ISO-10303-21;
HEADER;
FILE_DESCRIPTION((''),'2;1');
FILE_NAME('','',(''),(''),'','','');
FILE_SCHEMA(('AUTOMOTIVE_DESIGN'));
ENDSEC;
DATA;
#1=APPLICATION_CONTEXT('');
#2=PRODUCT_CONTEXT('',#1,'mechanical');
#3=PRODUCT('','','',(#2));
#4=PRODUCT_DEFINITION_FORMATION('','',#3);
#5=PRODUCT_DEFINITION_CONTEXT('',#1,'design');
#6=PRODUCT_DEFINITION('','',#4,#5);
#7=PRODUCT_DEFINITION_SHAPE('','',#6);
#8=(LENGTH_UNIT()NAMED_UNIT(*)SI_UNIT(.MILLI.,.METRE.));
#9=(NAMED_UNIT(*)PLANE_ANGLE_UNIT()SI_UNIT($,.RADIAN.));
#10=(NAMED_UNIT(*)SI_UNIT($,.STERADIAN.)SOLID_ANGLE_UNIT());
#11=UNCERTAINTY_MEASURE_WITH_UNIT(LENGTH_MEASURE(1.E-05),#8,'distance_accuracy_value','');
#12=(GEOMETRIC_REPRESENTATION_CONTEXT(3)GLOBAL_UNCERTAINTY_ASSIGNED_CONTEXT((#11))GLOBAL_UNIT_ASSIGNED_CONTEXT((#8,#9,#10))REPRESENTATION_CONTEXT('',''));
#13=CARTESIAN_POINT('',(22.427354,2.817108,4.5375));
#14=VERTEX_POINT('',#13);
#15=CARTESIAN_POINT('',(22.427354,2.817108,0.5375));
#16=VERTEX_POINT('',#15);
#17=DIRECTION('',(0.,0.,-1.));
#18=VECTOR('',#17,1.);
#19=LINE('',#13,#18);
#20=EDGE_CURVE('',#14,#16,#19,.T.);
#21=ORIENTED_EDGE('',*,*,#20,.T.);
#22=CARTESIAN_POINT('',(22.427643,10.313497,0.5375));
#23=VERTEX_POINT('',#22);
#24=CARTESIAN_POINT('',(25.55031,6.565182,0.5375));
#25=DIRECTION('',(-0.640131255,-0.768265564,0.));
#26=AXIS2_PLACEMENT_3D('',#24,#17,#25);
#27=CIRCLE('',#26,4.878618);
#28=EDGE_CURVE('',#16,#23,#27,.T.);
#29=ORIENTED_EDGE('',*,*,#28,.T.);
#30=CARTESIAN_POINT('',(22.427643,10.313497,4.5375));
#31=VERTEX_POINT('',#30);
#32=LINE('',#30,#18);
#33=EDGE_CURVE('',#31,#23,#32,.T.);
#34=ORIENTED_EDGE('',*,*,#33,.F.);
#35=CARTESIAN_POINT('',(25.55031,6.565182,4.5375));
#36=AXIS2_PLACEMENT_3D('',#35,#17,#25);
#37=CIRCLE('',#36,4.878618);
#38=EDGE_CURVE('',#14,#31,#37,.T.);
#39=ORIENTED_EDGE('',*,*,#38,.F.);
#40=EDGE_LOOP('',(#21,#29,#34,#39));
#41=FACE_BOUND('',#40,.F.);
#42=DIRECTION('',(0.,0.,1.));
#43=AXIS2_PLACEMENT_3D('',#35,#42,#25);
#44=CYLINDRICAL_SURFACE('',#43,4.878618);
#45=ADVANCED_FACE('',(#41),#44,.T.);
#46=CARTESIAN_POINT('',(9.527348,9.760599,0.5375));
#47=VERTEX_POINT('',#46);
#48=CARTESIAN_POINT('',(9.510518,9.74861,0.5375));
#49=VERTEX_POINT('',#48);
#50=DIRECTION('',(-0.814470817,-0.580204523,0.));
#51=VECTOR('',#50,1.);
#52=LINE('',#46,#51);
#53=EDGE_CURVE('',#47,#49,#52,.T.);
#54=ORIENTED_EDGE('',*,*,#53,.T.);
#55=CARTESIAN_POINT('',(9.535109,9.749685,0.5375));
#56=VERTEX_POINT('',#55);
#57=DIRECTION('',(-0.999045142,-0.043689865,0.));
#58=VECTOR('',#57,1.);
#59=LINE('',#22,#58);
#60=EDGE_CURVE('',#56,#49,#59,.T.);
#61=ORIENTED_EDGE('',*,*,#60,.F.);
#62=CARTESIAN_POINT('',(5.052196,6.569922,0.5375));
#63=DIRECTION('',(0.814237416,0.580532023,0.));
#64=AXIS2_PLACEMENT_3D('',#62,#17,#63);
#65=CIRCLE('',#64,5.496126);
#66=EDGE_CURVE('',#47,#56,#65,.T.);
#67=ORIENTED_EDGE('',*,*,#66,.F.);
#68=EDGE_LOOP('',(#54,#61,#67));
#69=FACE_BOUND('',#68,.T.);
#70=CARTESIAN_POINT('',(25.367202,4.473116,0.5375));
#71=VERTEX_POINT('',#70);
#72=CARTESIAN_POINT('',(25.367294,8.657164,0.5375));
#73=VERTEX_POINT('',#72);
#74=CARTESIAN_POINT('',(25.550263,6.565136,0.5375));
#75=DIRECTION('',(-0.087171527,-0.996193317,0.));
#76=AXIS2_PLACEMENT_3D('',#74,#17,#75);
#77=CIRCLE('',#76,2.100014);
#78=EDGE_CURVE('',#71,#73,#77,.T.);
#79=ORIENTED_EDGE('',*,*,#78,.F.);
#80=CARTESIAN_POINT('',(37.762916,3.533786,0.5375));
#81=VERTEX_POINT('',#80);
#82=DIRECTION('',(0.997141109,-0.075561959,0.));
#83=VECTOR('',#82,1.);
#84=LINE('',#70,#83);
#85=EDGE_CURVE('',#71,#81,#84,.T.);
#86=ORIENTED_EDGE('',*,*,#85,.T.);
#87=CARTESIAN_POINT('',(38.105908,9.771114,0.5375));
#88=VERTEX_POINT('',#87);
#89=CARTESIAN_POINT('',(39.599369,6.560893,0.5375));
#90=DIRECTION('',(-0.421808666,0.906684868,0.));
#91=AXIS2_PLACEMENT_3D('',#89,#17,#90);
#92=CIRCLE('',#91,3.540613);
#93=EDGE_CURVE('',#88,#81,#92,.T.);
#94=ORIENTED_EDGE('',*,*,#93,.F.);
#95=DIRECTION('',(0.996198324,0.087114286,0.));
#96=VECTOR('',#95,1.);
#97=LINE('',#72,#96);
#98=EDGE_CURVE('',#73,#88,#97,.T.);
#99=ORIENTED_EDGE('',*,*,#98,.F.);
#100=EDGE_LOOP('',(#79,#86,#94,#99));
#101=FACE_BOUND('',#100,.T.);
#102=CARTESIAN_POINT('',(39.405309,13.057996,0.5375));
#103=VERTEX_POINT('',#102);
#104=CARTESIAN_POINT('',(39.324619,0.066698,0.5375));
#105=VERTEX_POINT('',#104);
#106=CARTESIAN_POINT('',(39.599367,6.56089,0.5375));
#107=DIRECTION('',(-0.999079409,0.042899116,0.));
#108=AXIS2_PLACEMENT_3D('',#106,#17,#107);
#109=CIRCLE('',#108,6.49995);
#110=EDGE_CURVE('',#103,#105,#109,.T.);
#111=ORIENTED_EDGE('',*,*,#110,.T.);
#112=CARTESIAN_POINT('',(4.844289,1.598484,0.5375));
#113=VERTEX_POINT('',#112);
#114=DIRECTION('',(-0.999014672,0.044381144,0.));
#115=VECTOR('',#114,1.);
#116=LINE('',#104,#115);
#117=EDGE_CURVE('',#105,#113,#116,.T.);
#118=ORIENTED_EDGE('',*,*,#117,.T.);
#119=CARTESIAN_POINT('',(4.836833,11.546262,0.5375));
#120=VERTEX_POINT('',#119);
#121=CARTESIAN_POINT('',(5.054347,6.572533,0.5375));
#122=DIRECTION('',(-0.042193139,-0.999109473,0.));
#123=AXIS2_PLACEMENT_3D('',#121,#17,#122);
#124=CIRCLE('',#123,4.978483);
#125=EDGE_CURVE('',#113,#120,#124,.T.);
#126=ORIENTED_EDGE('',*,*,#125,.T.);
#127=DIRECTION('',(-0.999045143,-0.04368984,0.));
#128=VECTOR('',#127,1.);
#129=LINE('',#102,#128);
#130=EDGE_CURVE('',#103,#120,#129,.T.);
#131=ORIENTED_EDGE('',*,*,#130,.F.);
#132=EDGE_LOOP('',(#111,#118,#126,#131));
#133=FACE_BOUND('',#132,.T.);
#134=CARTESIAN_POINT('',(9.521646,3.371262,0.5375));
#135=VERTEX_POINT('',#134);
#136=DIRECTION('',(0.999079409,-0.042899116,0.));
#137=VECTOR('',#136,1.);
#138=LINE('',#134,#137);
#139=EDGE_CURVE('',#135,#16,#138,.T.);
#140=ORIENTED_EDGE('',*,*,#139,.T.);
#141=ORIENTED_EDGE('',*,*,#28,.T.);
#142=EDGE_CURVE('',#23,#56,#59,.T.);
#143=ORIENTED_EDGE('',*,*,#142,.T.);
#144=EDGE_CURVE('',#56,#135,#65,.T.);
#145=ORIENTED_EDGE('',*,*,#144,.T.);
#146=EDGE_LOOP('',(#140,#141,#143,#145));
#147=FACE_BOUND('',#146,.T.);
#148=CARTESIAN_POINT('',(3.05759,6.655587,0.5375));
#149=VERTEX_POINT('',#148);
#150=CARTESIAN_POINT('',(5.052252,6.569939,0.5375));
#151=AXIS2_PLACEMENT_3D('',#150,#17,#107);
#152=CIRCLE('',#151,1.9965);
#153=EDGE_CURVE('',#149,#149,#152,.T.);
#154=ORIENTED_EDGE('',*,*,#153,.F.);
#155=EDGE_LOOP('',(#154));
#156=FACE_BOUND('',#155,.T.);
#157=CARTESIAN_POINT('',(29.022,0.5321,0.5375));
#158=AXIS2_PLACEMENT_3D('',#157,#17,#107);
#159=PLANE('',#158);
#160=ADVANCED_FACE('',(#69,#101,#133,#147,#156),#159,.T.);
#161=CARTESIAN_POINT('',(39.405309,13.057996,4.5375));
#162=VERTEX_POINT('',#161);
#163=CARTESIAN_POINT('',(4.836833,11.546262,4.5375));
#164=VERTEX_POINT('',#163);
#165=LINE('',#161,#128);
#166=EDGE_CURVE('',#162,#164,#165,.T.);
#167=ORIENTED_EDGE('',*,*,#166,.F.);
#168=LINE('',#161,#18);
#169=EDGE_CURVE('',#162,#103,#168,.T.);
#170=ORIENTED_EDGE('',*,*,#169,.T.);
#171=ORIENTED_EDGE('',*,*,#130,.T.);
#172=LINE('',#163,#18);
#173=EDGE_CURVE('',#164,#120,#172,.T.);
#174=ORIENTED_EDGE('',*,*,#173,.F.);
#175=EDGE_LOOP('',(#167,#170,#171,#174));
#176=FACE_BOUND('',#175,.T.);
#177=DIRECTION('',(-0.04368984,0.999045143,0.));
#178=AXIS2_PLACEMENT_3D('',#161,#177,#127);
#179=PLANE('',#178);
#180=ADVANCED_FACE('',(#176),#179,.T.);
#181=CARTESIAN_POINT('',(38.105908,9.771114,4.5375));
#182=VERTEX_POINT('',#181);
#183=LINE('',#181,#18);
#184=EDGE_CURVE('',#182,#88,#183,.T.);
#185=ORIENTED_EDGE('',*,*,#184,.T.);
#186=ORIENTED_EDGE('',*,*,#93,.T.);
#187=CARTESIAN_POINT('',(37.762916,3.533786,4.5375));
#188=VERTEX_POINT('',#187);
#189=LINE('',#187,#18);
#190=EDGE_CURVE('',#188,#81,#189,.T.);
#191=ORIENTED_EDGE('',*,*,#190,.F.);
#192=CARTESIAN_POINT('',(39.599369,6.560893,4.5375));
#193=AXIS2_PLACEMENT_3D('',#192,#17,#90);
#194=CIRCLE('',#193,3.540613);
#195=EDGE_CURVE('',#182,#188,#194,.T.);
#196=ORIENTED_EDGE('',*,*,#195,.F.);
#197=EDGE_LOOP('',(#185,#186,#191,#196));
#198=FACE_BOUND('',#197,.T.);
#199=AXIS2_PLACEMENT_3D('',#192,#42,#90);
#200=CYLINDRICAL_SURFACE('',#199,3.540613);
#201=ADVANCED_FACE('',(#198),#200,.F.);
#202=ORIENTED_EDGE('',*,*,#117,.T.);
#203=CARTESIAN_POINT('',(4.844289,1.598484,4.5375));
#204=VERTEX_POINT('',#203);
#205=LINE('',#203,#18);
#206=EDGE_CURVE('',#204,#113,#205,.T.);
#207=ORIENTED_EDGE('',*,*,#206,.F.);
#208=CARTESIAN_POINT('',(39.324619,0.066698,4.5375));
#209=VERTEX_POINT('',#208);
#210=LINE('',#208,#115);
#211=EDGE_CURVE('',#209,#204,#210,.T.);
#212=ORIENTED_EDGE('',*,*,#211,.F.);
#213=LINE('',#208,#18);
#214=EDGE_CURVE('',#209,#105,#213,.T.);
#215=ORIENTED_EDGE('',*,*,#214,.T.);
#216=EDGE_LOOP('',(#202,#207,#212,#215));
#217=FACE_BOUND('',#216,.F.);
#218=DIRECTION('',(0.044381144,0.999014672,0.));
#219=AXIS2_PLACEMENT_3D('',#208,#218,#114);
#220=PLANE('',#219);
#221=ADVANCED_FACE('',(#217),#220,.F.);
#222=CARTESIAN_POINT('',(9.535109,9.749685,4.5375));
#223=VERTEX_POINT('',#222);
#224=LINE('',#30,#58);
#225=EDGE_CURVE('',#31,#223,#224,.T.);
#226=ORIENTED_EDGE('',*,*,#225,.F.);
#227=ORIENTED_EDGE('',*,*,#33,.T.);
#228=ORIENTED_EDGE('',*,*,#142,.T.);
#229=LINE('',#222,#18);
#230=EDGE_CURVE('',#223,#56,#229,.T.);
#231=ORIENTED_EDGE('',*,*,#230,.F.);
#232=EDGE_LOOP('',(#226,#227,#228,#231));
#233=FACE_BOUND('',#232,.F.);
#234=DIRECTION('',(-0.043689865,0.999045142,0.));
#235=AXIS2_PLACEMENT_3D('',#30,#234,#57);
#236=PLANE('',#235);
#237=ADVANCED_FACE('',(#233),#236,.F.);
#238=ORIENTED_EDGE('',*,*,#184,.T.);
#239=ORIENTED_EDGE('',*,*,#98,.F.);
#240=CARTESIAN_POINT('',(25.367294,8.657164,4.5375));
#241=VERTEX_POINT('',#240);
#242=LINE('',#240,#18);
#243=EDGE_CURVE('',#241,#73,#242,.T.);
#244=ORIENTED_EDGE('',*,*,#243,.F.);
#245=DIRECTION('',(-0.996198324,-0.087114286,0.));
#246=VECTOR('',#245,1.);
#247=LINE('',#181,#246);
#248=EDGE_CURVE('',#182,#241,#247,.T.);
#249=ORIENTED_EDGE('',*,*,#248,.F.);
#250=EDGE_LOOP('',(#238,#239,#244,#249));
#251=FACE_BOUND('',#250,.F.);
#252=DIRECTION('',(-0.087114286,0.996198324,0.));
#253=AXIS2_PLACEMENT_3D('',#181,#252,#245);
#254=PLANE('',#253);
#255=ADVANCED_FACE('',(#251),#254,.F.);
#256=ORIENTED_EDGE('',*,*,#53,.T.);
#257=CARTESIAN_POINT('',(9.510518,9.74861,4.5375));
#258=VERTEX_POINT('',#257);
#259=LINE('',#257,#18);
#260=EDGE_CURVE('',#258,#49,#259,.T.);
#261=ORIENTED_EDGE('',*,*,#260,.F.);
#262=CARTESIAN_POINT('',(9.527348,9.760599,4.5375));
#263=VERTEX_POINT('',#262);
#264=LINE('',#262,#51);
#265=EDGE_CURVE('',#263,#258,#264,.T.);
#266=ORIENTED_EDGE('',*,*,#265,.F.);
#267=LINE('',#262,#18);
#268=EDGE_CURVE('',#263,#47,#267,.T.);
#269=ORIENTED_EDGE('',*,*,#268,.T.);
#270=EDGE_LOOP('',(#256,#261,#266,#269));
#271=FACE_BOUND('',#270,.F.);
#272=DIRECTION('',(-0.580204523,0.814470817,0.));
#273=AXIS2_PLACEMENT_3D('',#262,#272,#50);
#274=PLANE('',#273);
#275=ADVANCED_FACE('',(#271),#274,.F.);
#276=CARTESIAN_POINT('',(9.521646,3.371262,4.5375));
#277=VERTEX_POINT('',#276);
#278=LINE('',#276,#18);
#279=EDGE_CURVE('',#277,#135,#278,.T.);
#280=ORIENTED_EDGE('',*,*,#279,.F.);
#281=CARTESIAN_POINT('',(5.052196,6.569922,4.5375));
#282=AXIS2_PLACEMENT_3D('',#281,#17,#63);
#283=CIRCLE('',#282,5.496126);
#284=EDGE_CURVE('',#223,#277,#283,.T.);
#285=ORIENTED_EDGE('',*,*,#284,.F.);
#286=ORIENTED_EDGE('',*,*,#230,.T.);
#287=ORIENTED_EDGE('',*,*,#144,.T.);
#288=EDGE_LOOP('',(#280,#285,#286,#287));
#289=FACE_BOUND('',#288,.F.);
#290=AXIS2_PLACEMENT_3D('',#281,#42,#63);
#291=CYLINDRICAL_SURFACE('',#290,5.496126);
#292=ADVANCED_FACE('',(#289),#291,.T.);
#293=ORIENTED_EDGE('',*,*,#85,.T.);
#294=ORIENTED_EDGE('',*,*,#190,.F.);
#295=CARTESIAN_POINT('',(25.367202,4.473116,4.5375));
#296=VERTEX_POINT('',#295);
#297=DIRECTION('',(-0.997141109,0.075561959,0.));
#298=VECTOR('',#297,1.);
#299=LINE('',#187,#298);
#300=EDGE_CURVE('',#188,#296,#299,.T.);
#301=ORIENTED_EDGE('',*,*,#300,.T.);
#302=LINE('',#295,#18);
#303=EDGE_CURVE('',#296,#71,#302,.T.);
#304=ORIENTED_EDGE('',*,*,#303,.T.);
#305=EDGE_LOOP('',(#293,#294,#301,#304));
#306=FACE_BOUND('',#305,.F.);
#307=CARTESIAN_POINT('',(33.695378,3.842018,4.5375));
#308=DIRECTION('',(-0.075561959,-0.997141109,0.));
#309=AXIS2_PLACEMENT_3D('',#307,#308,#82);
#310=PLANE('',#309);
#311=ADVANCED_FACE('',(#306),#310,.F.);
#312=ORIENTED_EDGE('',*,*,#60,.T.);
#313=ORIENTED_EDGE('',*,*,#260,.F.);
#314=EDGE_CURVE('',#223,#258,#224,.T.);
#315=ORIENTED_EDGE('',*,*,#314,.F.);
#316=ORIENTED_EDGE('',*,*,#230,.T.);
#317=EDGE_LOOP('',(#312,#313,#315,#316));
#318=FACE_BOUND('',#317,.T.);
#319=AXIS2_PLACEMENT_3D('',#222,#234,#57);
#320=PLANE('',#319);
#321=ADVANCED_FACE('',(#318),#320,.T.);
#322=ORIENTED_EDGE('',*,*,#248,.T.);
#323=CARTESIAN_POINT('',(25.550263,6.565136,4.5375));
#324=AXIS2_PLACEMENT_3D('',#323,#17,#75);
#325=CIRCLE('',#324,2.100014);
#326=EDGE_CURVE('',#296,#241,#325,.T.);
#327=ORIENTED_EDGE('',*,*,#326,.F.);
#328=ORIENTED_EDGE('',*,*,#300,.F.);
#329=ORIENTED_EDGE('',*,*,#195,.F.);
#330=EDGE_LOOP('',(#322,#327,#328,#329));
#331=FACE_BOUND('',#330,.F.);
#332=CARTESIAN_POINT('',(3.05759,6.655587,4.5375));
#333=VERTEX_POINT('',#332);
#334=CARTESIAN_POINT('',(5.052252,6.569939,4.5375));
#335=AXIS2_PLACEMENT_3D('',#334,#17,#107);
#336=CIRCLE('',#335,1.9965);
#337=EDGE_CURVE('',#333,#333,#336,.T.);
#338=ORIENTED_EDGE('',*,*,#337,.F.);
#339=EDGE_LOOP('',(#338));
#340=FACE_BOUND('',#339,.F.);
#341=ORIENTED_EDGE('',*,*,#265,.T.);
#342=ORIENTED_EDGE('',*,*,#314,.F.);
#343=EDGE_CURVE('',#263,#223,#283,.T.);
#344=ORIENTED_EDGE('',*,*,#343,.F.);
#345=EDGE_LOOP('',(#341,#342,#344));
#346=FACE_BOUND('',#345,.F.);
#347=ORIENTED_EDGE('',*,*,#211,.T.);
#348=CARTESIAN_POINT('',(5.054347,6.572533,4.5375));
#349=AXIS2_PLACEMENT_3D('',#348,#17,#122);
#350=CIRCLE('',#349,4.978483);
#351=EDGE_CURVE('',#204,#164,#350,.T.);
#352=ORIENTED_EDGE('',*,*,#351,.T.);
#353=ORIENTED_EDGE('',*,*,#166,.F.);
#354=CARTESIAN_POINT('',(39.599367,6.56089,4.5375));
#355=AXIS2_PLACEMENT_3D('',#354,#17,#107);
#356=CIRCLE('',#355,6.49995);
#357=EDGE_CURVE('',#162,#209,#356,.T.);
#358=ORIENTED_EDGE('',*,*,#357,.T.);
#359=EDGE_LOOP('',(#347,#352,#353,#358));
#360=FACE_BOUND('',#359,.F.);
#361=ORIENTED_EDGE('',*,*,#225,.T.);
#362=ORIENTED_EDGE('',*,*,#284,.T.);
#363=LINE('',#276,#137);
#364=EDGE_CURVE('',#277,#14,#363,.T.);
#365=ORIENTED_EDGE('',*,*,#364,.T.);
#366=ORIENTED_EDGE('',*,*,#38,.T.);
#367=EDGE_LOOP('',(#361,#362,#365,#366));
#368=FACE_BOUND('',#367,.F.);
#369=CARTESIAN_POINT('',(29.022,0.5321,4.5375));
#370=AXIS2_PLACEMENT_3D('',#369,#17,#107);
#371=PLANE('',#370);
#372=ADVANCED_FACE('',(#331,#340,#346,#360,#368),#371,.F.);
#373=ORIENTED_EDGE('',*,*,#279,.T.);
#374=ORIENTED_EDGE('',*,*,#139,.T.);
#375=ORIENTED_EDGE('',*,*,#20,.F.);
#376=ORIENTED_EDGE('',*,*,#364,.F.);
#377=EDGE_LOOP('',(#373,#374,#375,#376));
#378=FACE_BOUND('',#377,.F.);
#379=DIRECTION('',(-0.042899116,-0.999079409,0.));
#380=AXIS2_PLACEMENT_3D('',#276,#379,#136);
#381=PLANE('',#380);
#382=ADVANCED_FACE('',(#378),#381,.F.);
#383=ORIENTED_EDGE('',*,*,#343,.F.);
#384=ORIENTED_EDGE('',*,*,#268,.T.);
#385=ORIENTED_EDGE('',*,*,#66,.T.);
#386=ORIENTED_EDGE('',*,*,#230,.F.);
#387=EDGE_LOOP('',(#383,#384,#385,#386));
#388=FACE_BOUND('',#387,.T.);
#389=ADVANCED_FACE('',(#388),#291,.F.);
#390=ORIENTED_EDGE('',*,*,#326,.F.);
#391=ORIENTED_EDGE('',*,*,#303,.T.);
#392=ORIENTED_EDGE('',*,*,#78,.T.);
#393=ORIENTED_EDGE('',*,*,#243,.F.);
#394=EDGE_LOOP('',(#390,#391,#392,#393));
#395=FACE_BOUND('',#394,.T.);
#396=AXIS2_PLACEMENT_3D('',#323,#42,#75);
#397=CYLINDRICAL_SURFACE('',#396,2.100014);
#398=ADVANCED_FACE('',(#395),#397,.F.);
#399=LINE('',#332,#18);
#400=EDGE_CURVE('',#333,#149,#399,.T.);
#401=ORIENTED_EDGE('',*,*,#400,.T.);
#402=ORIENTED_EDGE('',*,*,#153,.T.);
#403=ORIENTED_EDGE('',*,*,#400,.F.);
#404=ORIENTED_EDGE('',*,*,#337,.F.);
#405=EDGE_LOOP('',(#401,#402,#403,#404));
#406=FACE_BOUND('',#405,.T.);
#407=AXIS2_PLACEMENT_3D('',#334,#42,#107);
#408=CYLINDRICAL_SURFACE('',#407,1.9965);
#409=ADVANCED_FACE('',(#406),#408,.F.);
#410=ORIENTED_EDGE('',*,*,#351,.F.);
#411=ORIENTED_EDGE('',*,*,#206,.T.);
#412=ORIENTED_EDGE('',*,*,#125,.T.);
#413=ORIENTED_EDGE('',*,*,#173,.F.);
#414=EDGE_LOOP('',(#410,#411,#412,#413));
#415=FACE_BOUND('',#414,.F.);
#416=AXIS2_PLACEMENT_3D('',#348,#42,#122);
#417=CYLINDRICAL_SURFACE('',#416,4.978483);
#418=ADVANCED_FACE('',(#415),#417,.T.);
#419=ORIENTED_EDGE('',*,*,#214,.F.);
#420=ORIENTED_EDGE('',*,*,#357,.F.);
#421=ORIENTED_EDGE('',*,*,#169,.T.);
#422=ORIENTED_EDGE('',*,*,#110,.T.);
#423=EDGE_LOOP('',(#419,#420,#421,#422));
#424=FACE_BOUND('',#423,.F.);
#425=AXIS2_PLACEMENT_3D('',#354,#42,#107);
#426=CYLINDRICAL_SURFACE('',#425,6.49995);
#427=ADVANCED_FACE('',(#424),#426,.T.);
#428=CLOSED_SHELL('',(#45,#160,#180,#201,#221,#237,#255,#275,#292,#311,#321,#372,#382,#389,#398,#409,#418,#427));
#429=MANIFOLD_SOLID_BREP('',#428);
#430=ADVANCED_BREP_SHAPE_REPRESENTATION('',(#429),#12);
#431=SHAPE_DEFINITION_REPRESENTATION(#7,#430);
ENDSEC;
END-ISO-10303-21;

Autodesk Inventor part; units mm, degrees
ref_plane "YZ Plane" through (0, 0, 0) normal (1, 0, 0) x (0, 1, 0)
ref_plane "XZ Plane" through (0, 0, 0) normal (0, 1, 0) x (-1, 0, 0)
ref_plane "Plano de trabajo1" through (29.022, 0.5321, 4.5375) normal (0, 0, -1) x (-0.9991, 0.0429, 0)
sketch "Boceto4" plane through (29.022, 0.5321, 4.5375) normal (0, 0, -1) x (-0.9991, 0.0429, 0)
  line L0 (-17.235, 7.0614) -> (-17.2593, 6.4952) projected
  line L1 (-14.4773, 1.1869) -> (-14.926, 1.531) projected
  line L2 (-14.4918, 11.8169) -> (-14.0144, 12.1218) projected
  arc A0 (-9.7469, 12.9526) -> (-9.7469, 12.9526) centre (-10.309, 6.477) ccw
  arc A1 (-8.6792, 9.6202) -> (-8.6041, 3.3739) centre (-10.309, 6.477) ccw
  arc A2 (3.8205, 3.7806) -> (3.9999, 7.9608) centre (3.7273, 5.8786) ccw
  arc A3 (24.2012, 0.0282) -> (24.6354, 9.9665) centre (24.2047, 5.0067) ccw
  circle A4 centre (24.2067, 5.004) radius 1.9965
  arc A5 (-9.8364, 12.9598) -> (-10.3131, -0.023) centre (-10.309, 6.477) ccw
  line L3 (19.8726, 8.3837) -> (19.8889, 8.371) projected
  arc A6 (19.8726, 8.3837) -> (19.6042, 2) centre (24.2067, 5.004) ccw
  arc A7 (22.3471, 10.1759) -> (22.3391, 10.1731) centre (24.2067, 5.004) ccw
  arc A8 (6.6866, 2) -> (7.0079, 9.4895) centre (3.7273, 5.8786) ccw
  line L4 (-9.8364, 12.9598) -> (24.6354, 9.9665)
  line L5 (-8.6792, 9.6202) -> (3.9999, 7.9608)
  line L6 (-10.3131, -0.023) -> (24.2012, 0.0282)
  line L7 (3.8205, 3.7806) -> (-8.6041, 3.3739)
  line L8 (7.0079, 9.4895) -> (19.8889, 8.371)
  line L9 (19.6042, 2) -> (6.6866, 2)
  point P0 (28.9725, -1.7754)
  point P1 (-10.2027, 12.9761)
  point P2 (24.6399, 6.9529)
  point P3 (19.8643, 8.3731)
extrude "Extrusión3" add sketch "Boceto4" along normal blind 4 contours A0 L5 A1 L7 | L4 A3 L6 A0 L7 A2 L5 picked at (-6.02, 9.6518)
sketch "Boceto5" plane through (29.022, 0.5321, 4.5375) normal (0, 0, 1) x (0.9991, -0.0429, 0)
  point P0 (-28.9725, -1.7754)
properties part number "Brazo conductor vertical 2"
